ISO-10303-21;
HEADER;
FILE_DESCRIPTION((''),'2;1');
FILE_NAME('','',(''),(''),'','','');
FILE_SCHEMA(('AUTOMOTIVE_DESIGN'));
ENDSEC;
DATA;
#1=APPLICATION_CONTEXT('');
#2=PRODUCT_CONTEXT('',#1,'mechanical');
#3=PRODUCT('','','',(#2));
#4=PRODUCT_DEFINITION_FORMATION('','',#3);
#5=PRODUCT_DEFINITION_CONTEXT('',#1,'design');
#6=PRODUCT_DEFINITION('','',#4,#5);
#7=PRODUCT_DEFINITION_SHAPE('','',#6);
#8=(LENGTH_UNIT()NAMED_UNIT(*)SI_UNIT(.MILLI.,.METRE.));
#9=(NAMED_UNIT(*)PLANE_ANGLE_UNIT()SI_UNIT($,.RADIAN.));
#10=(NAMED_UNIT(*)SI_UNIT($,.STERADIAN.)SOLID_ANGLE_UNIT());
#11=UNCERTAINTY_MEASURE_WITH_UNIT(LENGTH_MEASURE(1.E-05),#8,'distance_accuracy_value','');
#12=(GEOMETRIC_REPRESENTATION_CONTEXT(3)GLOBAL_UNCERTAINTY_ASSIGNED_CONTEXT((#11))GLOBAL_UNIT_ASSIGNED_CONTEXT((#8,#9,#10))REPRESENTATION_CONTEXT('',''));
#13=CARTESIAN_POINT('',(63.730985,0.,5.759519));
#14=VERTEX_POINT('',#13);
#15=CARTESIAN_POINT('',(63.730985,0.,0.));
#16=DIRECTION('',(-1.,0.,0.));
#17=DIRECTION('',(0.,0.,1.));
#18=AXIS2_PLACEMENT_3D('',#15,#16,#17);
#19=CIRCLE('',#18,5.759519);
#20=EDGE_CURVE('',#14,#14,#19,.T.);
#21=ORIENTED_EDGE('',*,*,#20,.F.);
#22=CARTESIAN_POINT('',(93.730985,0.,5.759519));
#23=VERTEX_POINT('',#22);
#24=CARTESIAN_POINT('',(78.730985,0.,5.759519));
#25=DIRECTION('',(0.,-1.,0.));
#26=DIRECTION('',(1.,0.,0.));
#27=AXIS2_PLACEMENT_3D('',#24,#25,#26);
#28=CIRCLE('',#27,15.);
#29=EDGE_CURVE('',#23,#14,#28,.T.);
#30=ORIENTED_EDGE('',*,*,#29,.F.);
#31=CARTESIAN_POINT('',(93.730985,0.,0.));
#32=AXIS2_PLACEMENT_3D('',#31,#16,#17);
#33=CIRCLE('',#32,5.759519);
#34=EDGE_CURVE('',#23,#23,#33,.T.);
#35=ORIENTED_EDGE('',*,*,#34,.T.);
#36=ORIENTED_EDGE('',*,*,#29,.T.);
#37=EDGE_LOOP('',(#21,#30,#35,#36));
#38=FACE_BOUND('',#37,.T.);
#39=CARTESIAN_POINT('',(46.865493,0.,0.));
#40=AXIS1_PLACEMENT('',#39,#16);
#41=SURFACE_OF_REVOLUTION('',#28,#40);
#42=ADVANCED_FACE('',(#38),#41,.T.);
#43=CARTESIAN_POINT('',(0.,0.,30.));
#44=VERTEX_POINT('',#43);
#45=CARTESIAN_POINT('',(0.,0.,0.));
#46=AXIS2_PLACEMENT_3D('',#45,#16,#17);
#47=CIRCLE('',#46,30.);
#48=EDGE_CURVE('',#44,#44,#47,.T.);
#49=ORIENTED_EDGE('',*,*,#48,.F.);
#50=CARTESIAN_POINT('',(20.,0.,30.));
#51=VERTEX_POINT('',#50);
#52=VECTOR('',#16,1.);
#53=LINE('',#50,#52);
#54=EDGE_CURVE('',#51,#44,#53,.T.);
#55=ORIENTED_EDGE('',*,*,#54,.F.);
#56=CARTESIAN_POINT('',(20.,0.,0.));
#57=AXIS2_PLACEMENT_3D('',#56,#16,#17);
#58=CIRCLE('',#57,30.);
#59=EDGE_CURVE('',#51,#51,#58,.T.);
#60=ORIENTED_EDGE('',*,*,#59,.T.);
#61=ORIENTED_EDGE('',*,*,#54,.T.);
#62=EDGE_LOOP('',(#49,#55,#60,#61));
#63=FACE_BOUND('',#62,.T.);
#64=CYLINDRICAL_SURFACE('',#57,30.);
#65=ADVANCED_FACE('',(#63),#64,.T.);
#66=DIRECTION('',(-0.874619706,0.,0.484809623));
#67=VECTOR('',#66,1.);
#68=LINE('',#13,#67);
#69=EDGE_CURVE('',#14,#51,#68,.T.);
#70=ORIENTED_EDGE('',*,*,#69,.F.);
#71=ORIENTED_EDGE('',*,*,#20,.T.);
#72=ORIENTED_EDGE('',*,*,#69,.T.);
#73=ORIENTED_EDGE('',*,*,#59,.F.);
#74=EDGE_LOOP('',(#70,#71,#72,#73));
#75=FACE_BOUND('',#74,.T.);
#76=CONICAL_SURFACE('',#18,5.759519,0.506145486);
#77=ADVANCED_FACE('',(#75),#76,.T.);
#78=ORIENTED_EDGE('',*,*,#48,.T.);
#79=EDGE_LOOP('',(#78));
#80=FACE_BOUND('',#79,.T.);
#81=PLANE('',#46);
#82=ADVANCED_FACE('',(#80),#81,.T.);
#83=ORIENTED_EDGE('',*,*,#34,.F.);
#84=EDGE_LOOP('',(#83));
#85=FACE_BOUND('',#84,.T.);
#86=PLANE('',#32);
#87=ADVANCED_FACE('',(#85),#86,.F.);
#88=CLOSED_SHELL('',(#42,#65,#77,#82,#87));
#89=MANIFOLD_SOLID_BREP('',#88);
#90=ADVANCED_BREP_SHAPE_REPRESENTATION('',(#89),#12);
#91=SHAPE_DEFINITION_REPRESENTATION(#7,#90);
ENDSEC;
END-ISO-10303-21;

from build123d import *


with BuildPart() as f1:
    # F0 (on Front) → F1 (revolve)
    with BuildSketch(Plane.XZ):
        with BuildLine():
            Line((0, 30), (0, 0))
            Line((0, 0), (93.730985, 0))
            Line((93.730985, 0), (93.730985, 5.759519))
            ThreePointArc((93.730985, 5.759519), (78.730985, 20.759519), (63.730985, 5.759519))
            Line((63.730985, 5.759519), (20, 30))
            Line((20, 30), (0, 30))
        make_face()
    revolve(axis=Axis((46.865493, 0, 0), (-1, 0, 0)))


solid = f1.part
